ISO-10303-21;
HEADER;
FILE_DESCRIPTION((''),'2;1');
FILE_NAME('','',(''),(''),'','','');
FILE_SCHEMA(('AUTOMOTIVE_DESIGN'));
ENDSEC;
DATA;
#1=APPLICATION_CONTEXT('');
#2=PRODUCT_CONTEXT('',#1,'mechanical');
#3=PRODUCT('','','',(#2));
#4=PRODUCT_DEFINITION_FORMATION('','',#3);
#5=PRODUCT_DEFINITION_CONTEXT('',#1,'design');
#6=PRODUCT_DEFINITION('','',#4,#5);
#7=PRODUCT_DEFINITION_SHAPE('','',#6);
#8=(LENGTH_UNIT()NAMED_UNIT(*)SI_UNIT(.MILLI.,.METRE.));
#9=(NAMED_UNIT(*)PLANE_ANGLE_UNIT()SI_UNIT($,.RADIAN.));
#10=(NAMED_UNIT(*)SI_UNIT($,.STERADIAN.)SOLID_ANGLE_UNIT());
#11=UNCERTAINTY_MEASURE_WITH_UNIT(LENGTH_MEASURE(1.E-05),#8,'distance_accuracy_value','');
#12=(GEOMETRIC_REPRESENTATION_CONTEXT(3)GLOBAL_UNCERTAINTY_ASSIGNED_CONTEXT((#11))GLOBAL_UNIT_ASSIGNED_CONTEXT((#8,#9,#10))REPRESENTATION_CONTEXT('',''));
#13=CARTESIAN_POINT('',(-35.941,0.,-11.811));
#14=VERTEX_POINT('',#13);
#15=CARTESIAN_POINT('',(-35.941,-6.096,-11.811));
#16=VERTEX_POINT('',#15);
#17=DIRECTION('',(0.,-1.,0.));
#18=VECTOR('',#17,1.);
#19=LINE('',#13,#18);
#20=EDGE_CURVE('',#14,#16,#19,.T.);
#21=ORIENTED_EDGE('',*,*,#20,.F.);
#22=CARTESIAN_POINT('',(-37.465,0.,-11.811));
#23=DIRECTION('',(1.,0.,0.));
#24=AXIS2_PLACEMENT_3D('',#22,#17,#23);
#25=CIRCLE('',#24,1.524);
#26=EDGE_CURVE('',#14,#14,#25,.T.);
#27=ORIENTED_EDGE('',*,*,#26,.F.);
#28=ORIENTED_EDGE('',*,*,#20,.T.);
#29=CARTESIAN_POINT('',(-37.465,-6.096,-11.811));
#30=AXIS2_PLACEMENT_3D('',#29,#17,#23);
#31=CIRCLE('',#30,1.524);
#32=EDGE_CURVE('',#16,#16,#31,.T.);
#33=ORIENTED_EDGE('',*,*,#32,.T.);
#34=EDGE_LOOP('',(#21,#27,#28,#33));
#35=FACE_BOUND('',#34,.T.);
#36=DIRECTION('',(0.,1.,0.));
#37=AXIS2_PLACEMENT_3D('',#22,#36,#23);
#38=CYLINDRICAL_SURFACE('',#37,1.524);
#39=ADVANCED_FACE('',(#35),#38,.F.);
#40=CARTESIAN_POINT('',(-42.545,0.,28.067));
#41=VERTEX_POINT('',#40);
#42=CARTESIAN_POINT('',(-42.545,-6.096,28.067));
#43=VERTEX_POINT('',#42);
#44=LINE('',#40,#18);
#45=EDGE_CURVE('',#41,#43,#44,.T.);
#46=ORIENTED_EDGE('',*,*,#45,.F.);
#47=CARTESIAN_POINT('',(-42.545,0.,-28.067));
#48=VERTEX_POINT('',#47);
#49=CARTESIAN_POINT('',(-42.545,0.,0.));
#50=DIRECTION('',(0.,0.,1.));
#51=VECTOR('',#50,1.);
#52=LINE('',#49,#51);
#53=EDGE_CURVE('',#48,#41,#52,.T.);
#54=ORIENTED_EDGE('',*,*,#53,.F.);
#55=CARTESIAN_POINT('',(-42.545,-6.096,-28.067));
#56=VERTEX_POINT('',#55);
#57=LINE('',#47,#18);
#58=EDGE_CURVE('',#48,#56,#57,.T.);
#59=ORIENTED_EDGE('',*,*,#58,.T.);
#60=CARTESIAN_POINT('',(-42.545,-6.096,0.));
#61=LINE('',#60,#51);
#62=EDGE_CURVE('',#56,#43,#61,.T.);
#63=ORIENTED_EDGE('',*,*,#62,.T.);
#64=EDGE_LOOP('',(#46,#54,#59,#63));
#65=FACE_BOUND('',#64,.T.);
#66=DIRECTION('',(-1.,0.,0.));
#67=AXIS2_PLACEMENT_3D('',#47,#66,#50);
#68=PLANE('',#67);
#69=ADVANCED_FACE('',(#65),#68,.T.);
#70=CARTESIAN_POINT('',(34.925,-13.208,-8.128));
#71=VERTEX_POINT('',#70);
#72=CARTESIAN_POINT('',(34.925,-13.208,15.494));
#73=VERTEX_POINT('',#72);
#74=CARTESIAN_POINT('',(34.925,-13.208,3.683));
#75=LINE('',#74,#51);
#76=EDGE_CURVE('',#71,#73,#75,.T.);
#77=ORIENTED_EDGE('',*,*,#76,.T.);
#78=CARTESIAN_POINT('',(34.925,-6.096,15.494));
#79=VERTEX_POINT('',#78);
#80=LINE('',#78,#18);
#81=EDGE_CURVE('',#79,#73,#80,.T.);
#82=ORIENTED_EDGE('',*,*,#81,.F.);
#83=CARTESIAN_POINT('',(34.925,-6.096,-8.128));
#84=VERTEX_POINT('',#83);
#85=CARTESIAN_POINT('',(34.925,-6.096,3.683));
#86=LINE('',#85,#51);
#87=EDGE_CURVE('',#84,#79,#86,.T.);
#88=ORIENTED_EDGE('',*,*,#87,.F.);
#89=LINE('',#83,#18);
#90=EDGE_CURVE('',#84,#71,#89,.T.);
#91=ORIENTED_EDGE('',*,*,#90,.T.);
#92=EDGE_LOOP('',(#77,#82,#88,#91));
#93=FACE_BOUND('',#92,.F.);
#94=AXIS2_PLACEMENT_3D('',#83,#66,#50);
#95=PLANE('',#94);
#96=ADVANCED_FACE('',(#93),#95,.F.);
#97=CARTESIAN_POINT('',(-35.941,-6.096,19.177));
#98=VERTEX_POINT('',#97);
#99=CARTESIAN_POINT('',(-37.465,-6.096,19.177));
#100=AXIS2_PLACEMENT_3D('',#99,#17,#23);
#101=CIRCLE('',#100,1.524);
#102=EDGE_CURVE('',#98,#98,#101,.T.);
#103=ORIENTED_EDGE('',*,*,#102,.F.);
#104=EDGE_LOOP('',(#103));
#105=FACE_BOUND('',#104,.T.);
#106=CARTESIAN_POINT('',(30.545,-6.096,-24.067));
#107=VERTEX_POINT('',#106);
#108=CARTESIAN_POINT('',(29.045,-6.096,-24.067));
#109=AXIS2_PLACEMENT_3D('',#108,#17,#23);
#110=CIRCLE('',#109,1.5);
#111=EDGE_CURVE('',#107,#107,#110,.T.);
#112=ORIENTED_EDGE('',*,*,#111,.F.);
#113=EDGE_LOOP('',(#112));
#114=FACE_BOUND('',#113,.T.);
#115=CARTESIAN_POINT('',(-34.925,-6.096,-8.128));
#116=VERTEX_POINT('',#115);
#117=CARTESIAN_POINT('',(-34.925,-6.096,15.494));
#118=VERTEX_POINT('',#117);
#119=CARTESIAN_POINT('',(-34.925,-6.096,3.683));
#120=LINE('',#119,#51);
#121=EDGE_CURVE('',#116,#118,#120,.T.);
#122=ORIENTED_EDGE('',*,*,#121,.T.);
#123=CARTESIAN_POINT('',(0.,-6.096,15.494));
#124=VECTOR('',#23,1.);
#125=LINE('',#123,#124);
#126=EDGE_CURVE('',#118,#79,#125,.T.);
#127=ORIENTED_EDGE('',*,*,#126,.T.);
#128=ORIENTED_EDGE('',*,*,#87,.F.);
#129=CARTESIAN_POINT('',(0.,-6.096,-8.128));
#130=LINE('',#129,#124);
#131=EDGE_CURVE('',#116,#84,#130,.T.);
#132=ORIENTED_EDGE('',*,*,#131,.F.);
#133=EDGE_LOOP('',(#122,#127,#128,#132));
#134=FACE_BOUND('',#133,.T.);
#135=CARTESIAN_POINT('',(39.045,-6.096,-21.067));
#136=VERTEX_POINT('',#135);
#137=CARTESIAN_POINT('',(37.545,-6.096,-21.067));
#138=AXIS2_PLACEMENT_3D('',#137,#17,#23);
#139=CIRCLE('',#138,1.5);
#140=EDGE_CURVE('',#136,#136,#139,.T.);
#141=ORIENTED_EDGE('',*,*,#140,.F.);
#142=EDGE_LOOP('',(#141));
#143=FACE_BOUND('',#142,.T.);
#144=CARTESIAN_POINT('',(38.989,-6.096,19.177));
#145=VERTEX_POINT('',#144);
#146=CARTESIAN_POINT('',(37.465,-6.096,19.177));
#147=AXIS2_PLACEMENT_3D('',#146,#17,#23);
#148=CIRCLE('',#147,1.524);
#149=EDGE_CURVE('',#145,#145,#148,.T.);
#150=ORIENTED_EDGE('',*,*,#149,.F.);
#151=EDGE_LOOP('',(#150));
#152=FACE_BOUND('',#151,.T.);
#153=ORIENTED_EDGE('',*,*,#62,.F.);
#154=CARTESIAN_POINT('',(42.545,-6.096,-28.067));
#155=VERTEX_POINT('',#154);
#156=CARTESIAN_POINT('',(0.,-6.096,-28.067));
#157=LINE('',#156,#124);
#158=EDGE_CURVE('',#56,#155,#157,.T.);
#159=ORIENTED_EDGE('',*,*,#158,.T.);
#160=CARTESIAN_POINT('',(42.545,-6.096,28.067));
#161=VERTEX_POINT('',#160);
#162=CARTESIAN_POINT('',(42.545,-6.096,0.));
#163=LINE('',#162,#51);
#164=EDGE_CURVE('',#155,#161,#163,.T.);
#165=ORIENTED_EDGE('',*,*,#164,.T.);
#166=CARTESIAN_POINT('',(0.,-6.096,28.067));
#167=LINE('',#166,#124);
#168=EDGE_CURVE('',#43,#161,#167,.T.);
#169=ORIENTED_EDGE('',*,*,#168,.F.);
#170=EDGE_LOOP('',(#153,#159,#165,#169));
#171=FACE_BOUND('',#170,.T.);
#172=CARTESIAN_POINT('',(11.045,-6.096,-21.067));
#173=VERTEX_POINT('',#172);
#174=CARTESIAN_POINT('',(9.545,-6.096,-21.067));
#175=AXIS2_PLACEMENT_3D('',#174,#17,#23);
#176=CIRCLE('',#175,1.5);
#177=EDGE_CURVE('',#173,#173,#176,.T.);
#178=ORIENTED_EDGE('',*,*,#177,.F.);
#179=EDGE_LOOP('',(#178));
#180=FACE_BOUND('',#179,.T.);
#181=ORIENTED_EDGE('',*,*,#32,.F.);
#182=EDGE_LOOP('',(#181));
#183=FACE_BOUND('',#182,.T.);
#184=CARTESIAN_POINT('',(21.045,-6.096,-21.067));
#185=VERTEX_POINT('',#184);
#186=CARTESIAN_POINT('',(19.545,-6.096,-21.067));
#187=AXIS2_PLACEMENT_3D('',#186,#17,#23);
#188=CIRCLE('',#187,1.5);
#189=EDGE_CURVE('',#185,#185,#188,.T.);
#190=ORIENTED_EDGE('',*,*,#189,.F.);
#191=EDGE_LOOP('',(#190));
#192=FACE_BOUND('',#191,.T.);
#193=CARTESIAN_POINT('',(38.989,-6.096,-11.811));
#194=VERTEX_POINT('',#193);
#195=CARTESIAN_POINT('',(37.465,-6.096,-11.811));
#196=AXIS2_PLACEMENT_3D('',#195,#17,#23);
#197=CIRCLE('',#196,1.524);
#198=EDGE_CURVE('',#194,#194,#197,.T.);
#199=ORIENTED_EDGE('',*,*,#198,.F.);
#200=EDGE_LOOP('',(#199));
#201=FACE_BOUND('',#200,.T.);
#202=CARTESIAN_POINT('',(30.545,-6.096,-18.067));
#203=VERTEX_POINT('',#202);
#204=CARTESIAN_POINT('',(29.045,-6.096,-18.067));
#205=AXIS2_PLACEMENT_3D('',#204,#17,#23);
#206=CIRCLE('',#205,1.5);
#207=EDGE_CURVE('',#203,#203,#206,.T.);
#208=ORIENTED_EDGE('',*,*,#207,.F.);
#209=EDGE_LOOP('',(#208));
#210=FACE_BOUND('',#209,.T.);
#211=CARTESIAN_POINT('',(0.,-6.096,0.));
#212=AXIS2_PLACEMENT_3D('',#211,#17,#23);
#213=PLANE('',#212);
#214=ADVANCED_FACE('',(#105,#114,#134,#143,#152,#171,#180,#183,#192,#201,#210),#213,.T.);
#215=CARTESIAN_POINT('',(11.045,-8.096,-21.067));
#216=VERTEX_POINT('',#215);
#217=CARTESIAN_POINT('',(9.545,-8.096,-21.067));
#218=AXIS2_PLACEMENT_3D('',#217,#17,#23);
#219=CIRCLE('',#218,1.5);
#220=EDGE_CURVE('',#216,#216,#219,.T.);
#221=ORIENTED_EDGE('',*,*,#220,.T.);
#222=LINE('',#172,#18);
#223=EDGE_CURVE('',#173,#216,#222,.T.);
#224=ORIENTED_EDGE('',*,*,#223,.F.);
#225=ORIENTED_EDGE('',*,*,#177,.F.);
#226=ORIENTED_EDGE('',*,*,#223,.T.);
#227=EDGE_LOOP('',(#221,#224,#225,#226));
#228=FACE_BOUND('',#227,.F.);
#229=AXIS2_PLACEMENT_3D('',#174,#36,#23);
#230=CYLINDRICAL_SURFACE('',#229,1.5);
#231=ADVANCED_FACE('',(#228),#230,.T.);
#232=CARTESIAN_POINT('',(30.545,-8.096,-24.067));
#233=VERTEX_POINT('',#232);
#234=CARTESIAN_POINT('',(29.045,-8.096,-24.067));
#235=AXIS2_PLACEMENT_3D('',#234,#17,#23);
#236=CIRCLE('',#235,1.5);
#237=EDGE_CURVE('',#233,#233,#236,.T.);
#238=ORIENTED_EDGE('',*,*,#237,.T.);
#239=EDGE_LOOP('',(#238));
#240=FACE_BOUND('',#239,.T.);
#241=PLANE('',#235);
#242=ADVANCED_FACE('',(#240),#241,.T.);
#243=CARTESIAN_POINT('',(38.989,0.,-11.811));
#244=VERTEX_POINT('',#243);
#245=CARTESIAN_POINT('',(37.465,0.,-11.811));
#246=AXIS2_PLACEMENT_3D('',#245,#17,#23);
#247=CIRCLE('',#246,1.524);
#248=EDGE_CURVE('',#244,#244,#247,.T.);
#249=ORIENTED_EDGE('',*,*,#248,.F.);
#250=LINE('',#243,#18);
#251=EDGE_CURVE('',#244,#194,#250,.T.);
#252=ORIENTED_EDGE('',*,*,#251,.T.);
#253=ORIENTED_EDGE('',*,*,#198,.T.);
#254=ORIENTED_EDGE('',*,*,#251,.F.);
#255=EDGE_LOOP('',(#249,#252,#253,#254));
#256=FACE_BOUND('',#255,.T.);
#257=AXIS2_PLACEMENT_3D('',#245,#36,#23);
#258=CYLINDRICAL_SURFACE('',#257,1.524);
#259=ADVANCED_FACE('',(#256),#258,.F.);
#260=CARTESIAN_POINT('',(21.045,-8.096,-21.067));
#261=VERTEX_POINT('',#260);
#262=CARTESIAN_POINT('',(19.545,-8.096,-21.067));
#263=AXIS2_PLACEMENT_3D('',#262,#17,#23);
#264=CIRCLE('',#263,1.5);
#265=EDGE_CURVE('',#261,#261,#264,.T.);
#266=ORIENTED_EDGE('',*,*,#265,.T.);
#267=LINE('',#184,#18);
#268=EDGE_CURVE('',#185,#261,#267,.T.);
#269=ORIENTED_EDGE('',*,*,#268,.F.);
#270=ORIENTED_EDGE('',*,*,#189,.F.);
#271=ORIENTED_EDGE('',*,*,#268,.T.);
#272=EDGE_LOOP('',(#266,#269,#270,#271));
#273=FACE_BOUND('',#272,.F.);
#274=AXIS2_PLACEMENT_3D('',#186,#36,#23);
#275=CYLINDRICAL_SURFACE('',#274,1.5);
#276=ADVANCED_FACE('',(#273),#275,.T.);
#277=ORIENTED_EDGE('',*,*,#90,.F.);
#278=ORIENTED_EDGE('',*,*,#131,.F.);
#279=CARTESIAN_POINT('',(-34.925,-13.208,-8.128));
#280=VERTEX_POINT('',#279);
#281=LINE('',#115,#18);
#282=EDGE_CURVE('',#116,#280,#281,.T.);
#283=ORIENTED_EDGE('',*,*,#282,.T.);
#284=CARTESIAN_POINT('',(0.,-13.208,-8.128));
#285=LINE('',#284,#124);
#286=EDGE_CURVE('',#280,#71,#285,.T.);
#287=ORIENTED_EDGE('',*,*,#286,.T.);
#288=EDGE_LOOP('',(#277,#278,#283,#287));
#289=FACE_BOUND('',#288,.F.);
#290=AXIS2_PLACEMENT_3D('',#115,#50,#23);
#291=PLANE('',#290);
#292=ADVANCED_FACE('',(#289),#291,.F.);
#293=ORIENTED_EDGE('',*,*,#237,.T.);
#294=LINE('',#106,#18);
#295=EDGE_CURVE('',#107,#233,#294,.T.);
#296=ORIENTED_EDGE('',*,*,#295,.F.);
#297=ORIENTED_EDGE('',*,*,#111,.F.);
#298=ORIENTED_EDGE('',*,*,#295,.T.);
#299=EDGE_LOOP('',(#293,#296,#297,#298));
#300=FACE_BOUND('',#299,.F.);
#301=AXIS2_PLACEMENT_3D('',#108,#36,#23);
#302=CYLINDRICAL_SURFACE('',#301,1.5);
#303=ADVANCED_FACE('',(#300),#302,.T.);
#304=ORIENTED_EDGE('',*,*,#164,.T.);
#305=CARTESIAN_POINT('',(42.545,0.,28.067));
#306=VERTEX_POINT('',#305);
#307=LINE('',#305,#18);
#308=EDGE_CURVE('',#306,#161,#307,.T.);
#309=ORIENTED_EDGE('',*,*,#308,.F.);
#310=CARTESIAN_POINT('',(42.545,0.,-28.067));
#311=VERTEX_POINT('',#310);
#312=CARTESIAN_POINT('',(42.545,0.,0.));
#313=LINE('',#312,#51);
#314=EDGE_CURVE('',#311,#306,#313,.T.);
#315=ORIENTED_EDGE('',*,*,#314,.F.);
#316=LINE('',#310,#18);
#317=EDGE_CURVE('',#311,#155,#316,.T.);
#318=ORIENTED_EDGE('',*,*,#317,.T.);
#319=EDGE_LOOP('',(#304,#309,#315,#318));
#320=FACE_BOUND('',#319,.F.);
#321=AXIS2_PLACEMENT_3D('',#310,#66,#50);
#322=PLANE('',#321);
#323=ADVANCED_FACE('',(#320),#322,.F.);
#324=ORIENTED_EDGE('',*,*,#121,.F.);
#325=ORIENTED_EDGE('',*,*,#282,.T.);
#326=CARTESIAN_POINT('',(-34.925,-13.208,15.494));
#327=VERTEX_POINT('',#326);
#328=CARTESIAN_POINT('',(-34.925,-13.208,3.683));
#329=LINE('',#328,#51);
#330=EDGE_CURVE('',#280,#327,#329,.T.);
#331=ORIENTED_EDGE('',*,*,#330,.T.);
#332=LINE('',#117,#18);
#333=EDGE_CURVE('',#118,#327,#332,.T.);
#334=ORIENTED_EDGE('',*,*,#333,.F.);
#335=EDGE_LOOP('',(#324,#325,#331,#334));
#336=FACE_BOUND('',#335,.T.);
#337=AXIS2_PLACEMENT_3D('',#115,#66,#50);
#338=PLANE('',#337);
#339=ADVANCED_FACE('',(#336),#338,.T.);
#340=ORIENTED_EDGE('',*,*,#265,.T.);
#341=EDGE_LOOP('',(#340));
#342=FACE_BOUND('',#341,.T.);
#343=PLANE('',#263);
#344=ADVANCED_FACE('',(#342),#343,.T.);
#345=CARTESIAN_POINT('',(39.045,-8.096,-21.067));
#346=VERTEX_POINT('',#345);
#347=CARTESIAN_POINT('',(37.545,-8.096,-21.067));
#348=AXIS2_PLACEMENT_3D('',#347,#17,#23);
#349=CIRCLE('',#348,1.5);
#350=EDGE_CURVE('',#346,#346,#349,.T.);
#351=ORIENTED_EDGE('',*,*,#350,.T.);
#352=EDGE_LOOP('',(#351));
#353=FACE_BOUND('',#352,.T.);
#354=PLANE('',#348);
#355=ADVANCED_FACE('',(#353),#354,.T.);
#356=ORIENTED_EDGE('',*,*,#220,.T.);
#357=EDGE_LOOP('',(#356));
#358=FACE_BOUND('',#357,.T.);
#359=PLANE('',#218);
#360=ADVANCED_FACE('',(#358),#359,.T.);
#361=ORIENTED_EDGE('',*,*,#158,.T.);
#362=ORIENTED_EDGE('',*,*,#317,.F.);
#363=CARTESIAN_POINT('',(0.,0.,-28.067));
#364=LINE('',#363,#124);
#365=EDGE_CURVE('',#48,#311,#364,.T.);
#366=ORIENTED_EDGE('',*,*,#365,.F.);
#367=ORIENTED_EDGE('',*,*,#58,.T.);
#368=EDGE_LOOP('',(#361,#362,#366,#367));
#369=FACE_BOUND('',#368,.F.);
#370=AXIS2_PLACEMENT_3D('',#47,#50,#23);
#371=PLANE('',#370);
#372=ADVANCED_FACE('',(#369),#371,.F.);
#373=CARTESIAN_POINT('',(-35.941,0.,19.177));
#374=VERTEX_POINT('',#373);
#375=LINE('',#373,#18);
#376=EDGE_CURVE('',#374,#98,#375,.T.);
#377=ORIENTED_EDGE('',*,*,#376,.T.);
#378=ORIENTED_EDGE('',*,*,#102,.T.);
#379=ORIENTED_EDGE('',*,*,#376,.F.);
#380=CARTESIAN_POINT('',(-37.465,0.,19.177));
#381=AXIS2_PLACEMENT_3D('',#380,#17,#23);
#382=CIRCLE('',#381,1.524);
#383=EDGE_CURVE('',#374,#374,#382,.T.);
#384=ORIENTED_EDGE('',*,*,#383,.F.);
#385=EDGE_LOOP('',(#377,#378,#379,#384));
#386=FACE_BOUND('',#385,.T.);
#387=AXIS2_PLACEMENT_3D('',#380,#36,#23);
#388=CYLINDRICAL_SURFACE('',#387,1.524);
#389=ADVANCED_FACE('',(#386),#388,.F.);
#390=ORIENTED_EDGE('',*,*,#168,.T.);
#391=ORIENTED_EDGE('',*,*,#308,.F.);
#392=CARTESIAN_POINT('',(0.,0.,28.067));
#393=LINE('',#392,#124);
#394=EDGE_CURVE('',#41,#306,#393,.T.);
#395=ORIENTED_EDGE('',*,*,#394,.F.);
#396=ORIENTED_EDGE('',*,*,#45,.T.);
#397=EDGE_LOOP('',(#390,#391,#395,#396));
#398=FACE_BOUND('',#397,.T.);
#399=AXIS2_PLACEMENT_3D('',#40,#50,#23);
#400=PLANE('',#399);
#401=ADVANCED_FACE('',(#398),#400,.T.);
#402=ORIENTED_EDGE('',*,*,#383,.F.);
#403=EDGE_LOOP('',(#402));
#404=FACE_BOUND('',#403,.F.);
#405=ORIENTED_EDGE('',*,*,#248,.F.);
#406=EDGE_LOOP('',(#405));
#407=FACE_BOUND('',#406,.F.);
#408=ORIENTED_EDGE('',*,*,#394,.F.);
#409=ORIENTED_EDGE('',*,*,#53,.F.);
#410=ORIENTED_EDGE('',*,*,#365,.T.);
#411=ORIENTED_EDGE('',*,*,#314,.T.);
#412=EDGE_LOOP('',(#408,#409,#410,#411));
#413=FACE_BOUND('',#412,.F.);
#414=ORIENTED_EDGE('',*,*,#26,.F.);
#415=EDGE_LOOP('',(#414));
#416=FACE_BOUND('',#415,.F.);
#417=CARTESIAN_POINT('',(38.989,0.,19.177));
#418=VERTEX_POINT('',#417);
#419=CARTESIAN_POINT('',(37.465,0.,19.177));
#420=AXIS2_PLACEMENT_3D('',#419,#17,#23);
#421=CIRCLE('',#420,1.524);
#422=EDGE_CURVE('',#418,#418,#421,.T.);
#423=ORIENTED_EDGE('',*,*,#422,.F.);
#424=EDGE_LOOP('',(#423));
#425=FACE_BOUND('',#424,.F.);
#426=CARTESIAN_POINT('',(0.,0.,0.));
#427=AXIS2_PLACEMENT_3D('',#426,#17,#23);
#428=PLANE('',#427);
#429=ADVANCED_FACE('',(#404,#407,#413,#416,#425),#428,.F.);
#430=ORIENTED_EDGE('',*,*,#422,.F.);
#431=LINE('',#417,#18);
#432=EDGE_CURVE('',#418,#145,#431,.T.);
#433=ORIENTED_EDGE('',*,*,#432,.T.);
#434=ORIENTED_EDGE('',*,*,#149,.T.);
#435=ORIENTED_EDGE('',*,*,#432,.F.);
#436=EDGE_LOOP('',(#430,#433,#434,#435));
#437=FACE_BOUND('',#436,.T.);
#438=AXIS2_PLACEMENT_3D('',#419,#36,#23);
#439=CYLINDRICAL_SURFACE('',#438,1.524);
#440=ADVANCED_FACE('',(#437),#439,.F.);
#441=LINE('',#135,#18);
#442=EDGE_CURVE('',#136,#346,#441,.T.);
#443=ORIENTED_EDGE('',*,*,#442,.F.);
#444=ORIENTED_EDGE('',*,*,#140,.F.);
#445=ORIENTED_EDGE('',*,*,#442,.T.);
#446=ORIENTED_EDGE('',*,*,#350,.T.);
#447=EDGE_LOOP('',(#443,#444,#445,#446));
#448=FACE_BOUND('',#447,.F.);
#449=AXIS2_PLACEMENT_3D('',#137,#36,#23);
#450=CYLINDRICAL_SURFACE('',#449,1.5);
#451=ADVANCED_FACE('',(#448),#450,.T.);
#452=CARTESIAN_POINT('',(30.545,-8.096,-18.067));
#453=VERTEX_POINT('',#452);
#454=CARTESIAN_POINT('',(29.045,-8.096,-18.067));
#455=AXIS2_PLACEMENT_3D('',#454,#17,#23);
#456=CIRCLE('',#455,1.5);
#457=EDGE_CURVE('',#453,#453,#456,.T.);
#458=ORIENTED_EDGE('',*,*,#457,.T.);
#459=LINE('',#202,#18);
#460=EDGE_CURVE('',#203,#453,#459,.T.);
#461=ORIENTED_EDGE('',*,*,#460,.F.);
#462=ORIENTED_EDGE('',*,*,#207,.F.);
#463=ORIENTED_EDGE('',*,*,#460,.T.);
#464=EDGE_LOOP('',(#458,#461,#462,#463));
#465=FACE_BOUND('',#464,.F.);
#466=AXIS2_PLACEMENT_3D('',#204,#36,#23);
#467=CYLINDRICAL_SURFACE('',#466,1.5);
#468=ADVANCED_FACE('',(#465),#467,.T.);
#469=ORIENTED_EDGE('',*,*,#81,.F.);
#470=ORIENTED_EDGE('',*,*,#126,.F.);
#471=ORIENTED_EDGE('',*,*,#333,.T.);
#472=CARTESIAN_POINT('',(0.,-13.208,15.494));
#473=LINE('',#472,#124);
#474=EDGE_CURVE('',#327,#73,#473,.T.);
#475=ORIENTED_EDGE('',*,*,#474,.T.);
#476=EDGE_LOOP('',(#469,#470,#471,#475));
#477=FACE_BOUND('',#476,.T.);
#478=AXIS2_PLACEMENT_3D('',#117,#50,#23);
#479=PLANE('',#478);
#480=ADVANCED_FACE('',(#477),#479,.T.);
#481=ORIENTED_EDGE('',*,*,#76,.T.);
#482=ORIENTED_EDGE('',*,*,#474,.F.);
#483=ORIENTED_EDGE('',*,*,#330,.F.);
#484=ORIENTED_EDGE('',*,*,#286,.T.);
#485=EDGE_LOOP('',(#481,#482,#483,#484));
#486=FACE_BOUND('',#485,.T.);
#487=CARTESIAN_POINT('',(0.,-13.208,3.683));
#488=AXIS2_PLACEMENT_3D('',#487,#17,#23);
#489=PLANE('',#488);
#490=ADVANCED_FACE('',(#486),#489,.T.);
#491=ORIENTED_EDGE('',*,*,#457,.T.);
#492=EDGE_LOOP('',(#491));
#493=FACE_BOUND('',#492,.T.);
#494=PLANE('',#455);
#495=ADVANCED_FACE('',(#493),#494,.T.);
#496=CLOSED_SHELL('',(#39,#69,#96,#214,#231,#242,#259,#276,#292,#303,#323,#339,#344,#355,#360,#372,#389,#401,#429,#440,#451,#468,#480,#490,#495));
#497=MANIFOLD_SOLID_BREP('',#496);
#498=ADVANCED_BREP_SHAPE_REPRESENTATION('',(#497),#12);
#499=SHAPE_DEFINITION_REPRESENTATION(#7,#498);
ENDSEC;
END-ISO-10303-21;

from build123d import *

# Parameters (mm, degrees)
F0_W     = 85.09
F0_H     = 56.134
F0_R     = 1.524
F1_DEPTH = 6.096
F2_W     = 69.85
F2_H     = 23.622
F3_DEPTH = 7.112
F4_R     = 1.5
F5_DEPTH = 2


with BuildPart() as f1:
    # F0 (on Front) → F1 (new body)
    with BuildSketch(Plane.XZ):
        Rectangle(F0_W, F0_H)
        with Locations((-37.465, -11.811)):
            Circle(F0_R, mode=Mode.SUBTRACT)
        with Locations((37.465, -11.811)):
            Circle(F0_R, mode=Mode.SUBTRACT)
        with Locations((-37.465, 19.177)):
            Circle(F0_R, mode=Mode.SUBTRACT)
        with Locations((37.465, 19.177)):
            Circle(F0_R, mode=Mode.SUBTRACT)
    extrude(amount=F1_DEPTH)

    # F2 (on face) → F3 (join)
    with BuildSketch(Plane.XZ.offset(6.096)):
        with Locations((0, 3.683)):
            Rectangle(F2_W, F2_H)
    extrude(amount=F3_DEPTH)

    # F4 (on face) → F5 (join)
    with BuildSketch(Plane.XZ.offset(6.096)):
        with Locations((9.545, -21.067)):
            Circle(F4_R)
        with Locations((19.545, -21.067)):
            Circle(F4_R)
        with Locations((29.045, -24.067)):
            Circle(F4_R)
        with Locations((29.045, -18.067)):
            Circle(F4_R)
        with Locations((37.545, -21.067)):
            Circle(F4_R)
    extrude(amount=F5_DEPTH)


solid = f1.part
